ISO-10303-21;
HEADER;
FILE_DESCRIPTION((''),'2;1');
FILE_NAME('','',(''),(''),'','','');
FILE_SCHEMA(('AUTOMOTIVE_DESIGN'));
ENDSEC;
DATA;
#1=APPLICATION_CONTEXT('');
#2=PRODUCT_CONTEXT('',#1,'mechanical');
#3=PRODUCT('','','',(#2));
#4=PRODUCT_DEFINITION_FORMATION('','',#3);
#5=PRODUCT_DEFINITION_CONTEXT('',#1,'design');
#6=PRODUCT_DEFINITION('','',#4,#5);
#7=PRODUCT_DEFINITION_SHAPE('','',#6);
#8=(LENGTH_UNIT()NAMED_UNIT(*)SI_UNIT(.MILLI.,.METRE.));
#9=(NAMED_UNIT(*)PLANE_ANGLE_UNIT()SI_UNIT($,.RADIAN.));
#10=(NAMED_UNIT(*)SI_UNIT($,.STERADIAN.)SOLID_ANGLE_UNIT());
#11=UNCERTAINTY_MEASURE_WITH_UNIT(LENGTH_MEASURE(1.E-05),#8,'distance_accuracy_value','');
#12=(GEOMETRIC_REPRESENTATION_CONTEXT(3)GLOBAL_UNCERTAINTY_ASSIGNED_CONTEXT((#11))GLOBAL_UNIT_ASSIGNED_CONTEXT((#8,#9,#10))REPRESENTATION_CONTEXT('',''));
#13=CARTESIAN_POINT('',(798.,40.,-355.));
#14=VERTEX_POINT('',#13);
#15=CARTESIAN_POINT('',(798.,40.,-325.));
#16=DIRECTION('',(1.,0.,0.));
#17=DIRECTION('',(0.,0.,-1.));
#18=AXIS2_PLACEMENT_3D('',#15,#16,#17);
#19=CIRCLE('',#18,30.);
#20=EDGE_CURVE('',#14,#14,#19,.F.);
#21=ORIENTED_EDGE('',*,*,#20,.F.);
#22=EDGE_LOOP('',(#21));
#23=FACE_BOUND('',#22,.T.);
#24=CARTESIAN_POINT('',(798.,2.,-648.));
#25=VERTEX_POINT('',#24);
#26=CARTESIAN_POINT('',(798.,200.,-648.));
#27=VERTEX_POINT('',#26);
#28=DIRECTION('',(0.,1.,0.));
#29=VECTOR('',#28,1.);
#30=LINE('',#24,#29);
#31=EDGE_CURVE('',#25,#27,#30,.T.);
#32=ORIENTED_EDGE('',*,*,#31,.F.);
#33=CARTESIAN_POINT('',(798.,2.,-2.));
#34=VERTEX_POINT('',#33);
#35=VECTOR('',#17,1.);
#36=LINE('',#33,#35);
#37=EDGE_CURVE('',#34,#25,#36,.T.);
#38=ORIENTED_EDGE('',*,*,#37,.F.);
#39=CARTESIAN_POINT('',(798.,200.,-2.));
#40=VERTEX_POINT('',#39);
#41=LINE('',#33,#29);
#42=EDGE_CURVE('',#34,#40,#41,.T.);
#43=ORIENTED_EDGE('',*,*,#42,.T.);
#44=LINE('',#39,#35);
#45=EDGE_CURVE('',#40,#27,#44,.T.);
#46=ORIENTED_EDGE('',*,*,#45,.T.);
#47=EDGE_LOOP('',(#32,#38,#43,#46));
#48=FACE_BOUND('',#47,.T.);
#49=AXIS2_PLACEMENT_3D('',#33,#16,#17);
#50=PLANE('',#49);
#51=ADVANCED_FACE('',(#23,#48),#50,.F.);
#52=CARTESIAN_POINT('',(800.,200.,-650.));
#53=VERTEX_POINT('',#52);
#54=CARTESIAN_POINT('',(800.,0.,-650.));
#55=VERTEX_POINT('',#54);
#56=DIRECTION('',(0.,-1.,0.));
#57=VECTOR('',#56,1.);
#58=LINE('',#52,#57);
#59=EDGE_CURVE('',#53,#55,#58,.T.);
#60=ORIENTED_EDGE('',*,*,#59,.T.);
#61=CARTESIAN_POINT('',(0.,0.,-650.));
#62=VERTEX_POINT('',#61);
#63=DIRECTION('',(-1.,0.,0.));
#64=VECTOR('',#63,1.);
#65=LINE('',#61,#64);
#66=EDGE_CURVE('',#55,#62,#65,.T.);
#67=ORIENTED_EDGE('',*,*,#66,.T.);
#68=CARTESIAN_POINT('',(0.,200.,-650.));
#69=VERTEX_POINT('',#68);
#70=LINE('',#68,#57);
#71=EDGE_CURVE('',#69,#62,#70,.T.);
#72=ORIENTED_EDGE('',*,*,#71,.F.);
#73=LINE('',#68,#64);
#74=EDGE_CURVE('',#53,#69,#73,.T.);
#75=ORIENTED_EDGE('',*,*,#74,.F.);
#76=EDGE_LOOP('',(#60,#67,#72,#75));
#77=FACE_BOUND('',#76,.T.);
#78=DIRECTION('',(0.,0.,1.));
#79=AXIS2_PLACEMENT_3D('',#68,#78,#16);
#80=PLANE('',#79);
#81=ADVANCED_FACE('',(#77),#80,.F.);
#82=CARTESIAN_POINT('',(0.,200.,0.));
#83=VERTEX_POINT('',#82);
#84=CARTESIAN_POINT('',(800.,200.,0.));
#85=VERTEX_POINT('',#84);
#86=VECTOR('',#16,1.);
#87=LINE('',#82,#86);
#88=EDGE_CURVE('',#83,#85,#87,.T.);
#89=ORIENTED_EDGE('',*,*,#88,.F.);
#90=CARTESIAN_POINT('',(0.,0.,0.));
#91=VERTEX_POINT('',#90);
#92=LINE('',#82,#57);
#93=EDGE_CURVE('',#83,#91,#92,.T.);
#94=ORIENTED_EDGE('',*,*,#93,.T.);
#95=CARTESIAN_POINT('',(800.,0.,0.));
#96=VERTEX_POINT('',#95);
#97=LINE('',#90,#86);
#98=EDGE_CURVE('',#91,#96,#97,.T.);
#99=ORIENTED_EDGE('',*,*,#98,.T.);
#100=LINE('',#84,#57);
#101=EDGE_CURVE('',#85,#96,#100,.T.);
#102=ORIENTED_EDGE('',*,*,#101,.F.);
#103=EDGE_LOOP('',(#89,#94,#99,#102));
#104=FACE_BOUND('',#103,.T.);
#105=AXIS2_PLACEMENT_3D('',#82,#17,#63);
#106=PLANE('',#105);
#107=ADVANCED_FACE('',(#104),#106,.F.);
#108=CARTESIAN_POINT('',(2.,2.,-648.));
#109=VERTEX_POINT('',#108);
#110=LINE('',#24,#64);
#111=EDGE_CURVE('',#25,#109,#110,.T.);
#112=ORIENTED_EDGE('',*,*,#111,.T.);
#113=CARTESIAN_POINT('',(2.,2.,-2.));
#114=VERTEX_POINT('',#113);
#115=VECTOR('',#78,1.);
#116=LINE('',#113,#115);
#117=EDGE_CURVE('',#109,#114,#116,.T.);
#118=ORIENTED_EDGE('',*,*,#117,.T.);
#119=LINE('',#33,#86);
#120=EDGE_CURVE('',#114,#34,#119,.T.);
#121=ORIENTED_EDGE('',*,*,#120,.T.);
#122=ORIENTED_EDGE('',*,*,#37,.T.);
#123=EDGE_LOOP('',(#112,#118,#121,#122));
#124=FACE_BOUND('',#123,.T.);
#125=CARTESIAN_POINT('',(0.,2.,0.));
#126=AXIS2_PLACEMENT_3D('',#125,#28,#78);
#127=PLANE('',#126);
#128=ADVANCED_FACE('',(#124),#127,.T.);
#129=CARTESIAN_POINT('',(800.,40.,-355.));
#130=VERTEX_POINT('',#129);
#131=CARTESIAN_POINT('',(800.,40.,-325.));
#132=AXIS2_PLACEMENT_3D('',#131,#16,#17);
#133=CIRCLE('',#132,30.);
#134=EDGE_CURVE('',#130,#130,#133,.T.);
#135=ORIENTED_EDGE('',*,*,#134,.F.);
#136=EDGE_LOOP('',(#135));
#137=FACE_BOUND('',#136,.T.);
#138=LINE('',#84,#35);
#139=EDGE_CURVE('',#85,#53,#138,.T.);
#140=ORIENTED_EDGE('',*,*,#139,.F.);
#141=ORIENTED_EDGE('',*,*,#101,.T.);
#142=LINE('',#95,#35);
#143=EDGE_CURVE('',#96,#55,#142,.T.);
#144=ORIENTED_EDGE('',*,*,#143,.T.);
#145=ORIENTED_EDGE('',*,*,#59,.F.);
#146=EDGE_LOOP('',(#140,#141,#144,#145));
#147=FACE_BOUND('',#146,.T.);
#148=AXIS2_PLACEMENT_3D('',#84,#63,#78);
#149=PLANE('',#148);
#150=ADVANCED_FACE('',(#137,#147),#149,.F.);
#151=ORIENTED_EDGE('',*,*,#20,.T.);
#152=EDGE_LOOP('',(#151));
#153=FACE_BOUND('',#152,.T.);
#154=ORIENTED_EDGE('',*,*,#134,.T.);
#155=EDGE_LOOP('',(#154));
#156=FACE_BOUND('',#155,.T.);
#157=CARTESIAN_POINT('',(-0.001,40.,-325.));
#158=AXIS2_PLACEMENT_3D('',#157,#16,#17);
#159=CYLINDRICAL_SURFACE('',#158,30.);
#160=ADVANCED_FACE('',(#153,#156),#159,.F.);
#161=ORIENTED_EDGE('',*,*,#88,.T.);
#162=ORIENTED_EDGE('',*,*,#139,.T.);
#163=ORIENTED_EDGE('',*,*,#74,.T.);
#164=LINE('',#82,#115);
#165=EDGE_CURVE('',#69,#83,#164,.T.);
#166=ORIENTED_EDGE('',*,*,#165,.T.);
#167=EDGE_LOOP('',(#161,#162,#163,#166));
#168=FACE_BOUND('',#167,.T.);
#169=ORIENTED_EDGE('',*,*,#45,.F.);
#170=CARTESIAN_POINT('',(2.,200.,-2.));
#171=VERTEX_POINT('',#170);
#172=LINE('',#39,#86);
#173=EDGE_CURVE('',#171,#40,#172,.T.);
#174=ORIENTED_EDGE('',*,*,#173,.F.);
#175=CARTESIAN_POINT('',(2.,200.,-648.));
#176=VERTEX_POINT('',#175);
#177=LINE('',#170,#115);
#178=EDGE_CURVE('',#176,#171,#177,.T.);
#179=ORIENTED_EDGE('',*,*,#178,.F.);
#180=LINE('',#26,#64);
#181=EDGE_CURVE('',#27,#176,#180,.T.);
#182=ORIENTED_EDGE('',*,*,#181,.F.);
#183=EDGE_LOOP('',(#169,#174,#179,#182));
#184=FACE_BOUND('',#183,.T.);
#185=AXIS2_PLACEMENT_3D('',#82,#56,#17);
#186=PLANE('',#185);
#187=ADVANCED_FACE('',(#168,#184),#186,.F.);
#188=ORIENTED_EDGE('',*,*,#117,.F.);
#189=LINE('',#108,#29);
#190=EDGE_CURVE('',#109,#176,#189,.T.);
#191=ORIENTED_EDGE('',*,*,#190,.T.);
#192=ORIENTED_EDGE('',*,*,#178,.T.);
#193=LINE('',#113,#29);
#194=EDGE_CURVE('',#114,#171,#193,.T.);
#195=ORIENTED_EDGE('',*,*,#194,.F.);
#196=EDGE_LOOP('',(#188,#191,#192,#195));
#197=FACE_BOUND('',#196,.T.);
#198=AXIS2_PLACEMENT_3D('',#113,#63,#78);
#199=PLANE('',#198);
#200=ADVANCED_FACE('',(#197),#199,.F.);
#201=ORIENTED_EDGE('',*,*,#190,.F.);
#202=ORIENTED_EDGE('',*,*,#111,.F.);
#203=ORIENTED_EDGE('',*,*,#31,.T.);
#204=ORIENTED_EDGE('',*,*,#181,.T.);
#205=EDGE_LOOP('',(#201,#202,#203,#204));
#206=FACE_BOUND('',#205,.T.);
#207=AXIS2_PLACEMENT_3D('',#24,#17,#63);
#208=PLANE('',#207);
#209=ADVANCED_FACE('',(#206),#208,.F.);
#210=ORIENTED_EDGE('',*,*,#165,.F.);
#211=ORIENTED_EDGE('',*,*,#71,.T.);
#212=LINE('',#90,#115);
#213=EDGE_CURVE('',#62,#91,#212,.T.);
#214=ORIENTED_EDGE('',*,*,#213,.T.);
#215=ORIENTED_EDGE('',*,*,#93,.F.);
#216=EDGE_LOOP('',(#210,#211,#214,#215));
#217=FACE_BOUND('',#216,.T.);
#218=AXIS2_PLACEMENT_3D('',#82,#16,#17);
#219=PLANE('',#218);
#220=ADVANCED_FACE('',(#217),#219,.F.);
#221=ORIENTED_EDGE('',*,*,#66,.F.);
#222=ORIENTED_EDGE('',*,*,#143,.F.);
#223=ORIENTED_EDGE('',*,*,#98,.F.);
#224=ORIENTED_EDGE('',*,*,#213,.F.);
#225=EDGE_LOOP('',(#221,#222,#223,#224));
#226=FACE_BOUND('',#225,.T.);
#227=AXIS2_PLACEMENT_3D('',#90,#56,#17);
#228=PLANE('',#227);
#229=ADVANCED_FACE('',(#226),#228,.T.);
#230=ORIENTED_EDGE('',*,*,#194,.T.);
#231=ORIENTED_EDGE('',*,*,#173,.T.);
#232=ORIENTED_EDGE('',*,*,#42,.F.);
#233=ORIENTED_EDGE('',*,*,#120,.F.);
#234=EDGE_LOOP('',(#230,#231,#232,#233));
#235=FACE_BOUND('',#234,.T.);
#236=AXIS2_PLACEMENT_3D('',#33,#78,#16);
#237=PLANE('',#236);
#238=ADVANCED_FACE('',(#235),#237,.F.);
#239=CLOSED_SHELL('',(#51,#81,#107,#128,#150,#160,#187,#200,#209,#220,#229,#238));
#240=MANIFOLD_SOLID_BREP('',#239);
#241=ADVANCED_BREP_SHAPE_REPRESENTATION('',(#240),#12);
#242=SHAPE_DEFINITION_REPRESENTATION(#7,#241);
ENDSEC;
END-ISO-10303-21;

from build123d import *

# Parameters (mm, degrees)
SKETCH1_W           = 800
SKETCH1_H           = 650
BOSS_EXTRUDE1_DEPTH = 200
SKETCH2_W           = 796
SKETCH2_H           = 646
CUT_EXTRUDE1_DEPTH  = 198
CUT_EXTRUDE3_REACH  = 802
SKETCH4_R           = 30


with BuildPart() as part:
    # Sketch1 → Boss-Extrude1 (new body)
    with BuildSketch(Plane(origin=(0, 0, 0), x_dir=(1, 0, 0), z_dir=(0, 1, 0))):
        with Locations((400, 325)):
            Rectangle(SKETCH1_W, SKETCH1_H)
    extrude(amount=BOSS_EXTRUDE1_DEPTH)

    # Sketch2 → Cut-Extrude1 (cut)
    with BuildSketch(Plane(origin=(0, 200, 0), x_dir=(1, 0, 0), z_dir=(0, 1, 0))):
        with Locations((400, 325)):
            Rectangle(SKETCH2_W, SKETCH2_H)
    extrude(amount=-CUT_EXTRUDE1_DEPTH, mode=Mode.SUBTRACT)

    # Sketch4 → Cut-Extrude3 (cut, up to next)
    with BuildSketch(Plane(origin=(800, 0, 0), x_dir=(0, 0, -1), z_dir=(1, 0, 0)), mode=Mode.PRIVATE) as cut_extrude3_sk1:
        with Locations((325, 40)):
            Circle(SKETCH4_R)
    cut_extrude3_tool1 = extrude(cut_extrude3_sk1.sketch, amount=-CUT_EXTRUDE3_REACH, mode=Mode.PRIVATE) & part.part
    add(cut_extrude3_tool1.solids().sort_by_distance((800, 40, -325))[0], mode=Mode.SUBTRACT)


solid = part.part
